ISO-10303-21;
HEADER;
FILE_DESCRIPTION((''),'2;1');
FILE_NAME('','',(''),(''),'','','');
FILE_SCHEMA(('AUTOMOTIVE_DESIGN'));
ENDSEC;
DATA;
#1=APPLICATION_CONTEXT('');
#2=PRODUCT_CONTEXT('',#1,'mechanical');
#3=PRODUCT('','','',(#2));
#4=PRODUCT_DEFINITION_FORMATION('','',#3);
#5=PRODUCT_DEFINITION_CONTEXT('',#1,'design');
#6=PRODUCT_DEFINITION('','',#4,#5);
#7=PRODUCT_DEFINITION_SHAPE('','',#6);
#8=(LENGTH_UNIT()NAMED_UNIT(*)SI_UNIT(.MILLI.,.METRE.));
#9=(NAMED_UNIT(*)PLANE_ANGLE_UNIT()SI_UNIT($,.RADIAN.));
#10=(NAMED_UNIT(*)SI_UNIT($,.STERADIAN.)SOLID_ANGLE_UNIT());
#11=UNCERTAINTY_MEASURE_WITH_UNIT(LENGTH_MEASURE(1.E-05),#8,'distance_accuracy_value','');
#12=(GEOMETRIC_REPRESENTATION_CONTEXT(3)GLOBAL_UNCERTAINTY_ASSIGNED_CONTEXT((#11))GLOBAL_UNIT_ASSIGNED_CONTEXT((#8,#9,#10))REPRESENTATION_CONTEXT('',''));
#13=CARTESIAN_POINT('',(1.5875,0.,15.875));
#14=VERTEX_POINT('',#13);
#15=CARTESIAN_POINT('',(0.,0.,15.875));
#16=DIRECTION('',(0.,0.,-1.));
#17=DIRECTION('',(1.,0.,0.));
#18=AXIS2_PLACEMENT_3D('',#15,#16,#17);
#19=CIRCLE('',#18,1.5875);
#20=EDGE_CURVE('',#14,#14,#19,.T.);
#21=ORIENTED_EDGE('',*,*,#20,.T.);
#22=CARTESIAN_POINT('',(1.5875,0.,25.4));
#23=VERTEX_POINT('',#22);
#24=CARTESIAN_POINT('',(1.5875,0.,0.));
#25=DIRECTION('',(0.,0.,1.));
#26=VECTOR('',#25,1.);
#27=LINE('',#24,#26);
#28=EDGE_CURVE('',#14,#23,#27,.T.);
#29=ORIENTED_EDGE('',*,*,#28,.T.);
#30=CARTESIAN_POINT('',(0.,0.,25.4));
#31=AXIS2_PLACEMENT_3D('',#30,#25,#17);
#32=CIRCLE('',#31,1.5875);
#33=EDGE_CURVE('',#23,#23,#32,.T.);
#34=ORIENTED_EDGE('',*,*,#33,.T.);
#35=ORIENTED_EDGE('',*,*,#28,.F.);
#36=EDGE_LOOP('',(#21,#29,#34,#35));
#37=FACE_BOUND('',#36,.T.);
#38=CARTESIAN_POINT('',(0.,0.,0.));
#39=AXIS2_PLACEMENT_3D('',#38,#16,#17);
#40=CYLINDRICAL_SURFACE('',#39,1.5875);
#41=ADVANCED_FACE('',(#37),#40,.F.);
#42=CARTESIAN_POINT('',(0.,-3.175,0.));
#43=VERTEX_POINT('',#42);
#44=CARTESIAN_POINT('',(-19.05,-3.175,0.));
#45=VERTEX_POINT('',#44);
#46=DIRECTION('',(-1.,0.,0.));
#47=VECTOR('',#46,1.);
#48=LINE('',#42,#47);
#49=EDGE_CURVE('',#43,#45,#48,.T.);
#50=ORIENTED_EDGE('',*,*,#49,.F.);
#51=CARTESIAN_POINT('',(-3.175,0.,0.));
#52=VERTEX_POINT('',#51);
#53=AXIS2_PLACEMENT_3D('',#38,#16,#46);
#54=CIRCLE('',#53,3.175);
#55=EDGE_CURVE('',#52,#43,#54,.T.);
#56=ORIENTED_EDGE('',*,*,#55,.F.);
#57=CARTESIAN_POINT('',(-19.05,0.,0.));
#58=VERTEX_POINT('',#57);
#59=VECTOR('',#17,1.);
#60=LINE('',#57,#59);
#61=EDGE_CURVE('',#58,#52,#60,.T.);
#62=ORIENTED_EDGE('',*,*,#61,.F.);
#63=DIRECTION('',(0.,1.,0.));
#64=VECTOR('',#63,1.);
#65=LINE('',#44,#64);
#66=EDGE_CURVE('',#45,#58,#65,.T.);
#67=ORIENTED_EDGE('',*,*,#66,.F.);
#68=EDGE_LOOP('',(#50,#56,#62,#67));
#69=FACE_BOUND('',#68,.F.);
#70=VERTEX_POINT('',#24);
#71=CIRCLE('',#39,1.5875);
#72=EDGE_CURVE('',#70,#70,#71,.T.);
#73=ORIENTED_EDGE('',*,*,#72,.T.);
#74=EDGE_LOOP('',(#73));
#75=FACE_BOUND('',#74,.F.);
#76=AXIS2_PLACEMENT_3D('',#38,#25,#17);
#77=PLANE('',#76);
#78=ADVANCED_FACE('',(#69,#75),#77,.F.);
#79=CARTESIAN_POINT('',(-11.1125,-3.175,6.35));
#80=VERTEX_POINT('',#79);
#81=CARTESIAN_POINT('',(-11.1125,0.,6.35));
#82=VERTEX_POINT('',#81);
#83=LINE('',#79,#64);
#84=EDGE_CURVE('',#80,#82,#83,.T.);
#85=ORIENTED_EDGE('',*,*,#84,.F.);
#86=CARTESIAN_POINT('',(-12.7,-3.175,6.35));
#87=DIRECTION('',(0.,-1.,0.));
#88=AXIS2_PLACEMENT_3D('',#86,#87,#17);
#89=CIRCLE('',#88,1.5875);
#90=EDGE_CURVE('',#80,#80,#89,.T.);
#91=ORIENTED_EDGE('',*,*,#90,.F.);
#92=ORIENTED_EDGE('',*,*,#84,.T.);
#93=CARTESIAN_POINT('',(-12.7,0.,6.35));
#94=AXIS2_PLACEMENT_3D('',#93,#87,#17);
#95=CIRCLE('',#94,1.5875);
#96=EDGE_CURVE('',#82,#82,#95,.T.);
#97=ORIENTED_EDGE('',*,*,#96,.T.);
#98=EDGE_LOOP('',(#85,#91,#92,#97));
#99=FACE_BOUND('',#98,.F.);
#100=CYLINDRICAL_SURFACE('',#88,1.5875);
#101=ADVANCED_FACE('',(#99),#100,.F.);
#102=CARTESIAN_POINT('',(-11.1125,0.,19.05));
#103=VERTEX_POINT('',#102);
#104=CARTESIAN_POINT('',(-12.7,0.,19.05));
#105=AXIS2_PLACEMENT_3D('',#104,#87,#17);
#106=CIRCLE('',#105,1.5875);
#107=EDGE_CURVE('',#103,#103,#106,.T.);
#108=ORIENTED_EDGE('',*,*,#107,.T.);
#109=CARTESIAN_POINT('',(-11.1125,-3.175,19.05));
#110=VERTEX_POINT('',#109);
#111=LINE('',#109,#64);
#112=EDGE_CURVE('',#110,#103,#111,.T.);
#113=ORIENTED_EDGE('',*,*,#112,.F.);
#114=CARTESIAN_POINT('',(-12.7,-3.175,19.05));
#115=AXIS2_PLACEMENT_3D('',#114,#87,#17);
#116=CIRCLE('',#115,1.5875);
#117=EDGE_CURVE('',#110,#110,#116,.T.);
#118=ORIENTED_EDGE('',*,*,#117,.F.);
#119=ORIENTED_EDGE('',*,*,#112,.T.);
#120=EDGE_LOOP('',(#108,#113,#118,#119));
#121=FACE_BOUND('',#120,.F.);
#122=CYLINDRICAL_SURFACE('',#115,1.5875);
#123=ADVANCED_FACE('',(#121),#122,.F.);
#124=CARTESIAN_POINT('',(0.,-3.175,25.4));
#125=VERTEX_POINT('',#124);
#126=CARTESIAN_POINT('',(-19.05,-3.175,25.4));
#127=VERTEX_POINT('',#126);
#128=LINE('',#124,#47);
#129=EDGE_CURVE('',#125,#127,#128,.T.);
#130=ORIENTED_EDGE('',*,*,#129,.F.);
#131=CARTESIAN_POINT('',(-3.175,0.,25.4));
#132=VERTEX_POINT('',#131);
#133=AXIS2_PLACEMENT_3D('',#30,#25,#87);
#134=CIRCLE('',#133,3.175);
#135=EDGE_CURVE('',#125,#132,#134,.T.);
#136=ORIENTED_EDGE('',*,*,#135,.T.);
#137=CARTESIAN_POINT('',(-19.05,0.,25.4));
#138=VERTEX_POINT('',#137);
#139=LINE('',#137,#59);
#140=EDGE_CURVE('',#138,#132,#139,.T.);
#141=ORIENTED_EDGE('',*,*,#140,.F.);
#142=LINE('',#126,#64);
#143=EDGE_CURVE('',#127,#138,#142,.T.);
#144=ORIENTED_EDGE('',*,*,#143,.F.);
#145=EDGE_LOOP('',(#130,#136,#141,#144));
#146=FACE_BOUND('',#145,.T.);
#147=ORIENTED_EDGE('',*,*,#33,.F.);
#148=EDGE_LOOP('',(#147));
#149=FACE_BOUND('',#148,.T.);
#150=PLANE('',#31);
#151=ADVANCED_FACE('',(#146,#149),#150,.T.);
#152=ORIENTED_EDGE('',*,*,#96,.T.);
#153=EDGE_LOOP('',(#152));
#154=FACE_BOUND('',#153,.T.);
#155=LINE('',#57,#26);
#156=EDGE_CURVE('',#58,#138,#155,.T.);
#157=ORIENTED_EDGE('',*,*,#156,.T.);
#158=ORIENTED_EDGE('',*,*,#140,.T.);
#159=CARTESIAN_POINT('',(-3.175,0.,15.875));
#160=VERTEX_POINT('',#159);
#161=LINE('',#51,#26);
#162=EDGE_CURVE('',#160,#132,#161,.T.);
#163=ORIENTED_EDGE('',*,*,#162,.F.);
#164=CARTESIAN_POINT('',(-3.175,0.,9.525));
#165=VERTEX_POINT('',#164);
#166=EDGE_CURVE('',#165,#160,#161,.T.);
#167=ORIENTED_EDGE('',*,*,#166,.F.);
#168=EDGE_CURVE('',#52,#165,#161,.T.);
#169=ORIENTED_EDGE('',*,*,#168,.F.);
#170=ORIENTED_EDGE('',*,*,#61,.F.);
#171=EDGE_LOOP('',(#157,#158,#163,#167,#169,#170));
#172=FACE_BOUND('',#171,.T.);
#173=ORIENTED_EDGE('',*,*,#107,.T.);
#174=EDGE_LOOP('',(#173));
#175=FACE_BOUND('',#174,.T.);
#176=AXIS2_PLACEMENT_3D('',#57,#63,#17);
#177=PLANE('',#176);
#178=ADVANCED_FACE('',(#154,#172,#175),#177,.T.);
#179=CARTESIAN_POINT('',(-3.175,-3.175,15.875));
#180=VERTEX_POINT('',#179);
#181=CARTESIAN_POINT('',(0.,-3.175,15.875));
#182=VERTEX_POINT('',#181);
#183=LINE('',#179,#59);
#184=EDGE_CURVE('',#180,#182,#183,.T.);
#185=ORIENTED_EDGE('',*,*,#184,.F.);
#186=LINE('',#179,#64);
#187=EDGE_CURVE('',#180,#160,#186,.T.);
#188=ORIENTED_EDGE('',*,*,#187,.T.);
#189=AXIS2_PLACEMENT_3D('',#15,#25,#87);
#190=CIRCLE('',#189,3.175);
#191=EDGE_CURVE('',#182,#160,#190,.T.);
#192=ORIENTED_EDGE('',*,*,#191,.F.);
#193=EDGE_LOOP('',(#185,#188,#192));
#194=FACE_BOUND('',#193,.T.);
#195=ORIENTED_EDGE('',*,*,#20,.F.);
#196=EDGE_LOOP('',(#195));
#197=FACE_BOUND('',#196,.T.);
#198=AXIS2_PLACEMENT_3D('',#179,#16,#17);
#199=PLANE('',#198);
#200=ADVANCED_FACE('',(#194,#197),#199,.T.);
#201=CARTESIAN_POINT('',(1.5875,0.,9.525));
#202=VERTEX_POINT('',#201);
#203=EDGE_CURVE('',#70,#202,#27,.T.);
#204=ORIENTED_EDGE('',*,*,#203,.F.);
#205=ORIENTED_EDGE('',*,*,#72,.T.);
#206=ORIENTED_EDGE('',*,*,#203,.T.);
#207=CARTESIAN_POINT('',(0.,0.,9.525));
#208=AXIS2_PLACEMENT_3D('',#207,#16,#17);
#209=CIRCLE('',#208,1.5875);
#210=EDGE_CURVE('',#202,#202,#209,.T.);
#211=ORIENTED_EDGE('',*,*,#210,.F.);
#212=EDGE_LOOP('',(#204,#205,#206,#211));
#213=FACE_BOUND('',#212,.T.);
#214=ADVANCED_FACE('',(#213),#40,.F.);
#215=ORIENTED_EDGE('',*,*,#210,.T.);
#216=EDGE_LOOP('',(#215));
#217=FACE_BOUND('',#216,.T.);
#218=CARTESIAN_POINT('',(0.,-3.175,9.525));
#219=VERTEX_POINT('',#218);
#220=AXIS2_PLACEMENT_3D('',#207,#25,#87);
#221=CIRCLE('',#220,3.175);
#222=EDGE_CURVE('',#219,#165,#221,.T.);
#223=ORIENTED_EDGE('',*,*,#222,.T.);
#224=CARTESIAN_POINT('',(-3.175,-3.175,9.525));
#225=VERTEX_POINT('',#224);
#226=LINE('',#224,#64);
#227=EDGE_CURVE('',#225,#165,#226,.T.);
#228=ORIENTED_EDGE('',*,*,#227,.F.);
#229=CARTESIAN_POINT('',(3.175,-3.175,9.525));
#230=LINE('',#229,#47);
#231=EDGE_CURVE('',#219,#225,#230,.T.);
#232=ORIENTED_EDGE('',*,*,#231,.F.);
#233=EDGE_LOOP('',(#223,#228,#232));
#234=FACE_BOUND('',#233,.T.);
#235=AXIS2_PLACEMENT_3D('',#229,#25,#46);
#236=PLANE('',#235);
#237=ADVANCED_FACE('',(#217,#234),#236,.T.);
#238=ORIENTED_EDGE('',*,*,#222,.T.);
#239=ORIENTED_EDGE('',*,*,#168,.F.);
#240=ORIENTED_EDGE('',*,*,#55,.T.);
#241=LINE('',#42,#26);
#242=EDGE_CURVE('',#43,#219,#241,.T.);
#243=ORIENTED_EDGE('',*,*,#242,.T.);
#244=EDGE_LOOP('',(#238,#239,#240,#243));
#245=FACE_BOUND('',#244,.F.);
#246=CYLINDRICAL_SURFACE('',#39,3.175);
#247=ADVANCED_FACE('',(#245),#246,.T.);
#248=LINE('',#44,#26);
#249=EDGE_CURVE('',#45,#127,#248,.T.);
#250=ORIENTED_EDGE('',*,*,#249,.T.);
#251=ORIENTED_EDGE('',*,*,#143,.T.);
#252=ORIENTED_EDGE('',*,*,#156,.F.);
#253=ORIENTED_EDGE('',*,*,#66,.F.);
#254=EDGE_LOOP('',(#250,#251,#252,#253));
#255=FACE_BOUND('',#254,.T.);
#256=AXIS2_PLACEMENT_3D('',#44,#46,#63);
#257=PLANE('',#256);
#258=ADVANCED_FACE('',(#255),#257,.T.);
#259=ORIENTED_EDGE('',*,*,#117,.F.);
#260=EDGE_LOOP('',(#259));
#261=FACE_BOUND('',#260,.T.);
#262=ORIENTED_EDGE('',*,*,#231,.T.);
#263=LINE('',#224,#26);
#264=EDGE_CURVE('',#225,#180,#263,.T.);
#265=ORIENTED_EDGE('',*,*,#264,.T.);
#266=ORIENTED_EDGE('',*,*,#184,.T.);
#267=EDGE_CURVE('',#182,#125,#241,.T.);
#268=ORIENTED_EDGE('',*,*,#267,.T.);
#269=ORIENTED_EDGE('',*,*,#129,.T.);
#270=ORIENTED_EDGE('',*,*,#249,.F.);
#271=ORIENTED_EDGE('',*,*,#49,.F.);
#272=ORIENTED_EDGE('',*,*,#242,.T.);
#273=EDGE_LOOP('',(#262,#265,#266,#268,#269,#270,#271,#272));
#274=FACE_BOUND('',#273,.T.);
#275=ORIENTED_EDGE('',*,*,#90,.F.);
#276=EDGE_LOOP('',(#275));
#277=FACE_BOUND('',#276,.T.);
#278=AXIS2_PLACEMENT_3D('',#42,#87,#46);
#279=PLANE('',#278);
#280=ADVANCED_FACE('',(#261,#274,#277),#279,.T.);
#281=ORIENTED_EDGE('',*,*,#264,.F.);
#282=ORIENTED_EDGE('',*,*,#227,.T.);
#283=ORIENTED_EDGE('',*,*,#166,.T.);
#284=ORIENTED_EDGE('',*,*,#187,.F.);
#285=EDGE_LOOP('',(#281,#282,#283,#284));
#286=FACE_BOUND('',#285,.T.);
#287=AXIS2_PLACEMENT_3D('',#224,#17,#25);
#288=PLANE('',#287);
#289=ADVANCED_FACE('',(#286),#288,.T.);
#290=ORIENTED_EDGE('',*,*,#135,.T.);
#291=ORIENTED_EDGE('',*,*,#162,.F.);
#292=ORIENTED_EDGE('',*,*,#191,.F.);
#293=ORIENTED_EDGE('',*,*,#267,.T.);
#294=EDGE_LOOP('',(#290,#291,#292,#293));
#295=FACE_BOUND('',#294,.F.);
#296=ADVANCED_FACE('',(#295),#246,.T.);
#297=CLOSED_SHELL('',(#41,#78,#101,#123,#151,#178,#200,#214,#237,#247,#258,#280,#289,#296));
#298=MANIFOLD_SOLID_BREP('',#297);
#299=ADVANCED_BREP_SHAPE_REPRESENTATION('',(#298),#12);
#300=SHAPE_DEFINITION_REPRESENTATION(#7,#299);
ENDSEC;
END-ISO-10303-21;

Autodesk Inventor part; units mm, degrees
ref_plane "YZ Plane" through (0, 0, 0) normal (1, 0, 0) x (0, 1, 0)
ref_plane "XZ Plane" through (0, 0, 0) normal (0, 1, 0) x (-1, 0, 0)
ref_plane "XY Plane" through (0, 0, 0) normal (0, 0, 1) x (1, 0, 0)
sketch "Sketch1" plane through (0, 0, 0) normal (0, 0, 1) x (1, 0, 0)
  circle A0 centre (0, 0) radius 3.175
  circle A1 centre (0, 0) radius 1.5875
  line L0 (0, -3.175) -> (-19.05, -3.175)
  line L1 (-19.05, -3.175) -> (-19.05, 0)
  line L2 (-19.05, 0) -> (-1.5875, 0)
  line L3 (0, -1.5875) -> (0, -3.175)
  dimension "d0" = 6.35
  dimension "d1" = 3.175
  dimension "d2" = 19.05
  dimension "d3" = 3.175
extrude "Extrusion1" add sketch "Sketch1" along normal blind 25.4 contours L3 A1 L2 A0 | L0 L1 L2 A0 | A0 L2 A1 L3
sketch "Sketch2" plane through (-19.05, -3.175, 0) normal (0, -1, 0) x (1, 0, 0)
  line L0 (15.875, 15.875) -> (22.225, 15.875)
  line L1 (22.225, 15.875) -> (22.225, 9.525)
  line L2 (22.225, 9.525) -> (15.875, 9.525)
  line L3 (15.875, 9.525) -> (15.875, 15.875)
  line L4 (15.875, 25.4) -> (22.225, 25.4) projected
  circle A0 centre (6.35, 19.05) radius 1.5875
  circle A1 centre (6.35, 6.35) radius 1.5875
  point P0 (19.05, 0)
  point P1 (0, 25.4)
  point P2 (0, 0)
  dimension "d6" = 6.35
  dimension "d7" = 3.175
  dimension "d8" = 6.35
  dimension "d9" = 9.525
  dimension "d12" = 12.7
  dimension "d13" = 6.35
  dimension "d14" = 3.175
  dimension "d15" = 3.175
  dimension "d16" = 6.35
extrude "Extrusion2" cut sketch "Sketch2" against normal blind 25.4
properties part number "hinge two prong"
